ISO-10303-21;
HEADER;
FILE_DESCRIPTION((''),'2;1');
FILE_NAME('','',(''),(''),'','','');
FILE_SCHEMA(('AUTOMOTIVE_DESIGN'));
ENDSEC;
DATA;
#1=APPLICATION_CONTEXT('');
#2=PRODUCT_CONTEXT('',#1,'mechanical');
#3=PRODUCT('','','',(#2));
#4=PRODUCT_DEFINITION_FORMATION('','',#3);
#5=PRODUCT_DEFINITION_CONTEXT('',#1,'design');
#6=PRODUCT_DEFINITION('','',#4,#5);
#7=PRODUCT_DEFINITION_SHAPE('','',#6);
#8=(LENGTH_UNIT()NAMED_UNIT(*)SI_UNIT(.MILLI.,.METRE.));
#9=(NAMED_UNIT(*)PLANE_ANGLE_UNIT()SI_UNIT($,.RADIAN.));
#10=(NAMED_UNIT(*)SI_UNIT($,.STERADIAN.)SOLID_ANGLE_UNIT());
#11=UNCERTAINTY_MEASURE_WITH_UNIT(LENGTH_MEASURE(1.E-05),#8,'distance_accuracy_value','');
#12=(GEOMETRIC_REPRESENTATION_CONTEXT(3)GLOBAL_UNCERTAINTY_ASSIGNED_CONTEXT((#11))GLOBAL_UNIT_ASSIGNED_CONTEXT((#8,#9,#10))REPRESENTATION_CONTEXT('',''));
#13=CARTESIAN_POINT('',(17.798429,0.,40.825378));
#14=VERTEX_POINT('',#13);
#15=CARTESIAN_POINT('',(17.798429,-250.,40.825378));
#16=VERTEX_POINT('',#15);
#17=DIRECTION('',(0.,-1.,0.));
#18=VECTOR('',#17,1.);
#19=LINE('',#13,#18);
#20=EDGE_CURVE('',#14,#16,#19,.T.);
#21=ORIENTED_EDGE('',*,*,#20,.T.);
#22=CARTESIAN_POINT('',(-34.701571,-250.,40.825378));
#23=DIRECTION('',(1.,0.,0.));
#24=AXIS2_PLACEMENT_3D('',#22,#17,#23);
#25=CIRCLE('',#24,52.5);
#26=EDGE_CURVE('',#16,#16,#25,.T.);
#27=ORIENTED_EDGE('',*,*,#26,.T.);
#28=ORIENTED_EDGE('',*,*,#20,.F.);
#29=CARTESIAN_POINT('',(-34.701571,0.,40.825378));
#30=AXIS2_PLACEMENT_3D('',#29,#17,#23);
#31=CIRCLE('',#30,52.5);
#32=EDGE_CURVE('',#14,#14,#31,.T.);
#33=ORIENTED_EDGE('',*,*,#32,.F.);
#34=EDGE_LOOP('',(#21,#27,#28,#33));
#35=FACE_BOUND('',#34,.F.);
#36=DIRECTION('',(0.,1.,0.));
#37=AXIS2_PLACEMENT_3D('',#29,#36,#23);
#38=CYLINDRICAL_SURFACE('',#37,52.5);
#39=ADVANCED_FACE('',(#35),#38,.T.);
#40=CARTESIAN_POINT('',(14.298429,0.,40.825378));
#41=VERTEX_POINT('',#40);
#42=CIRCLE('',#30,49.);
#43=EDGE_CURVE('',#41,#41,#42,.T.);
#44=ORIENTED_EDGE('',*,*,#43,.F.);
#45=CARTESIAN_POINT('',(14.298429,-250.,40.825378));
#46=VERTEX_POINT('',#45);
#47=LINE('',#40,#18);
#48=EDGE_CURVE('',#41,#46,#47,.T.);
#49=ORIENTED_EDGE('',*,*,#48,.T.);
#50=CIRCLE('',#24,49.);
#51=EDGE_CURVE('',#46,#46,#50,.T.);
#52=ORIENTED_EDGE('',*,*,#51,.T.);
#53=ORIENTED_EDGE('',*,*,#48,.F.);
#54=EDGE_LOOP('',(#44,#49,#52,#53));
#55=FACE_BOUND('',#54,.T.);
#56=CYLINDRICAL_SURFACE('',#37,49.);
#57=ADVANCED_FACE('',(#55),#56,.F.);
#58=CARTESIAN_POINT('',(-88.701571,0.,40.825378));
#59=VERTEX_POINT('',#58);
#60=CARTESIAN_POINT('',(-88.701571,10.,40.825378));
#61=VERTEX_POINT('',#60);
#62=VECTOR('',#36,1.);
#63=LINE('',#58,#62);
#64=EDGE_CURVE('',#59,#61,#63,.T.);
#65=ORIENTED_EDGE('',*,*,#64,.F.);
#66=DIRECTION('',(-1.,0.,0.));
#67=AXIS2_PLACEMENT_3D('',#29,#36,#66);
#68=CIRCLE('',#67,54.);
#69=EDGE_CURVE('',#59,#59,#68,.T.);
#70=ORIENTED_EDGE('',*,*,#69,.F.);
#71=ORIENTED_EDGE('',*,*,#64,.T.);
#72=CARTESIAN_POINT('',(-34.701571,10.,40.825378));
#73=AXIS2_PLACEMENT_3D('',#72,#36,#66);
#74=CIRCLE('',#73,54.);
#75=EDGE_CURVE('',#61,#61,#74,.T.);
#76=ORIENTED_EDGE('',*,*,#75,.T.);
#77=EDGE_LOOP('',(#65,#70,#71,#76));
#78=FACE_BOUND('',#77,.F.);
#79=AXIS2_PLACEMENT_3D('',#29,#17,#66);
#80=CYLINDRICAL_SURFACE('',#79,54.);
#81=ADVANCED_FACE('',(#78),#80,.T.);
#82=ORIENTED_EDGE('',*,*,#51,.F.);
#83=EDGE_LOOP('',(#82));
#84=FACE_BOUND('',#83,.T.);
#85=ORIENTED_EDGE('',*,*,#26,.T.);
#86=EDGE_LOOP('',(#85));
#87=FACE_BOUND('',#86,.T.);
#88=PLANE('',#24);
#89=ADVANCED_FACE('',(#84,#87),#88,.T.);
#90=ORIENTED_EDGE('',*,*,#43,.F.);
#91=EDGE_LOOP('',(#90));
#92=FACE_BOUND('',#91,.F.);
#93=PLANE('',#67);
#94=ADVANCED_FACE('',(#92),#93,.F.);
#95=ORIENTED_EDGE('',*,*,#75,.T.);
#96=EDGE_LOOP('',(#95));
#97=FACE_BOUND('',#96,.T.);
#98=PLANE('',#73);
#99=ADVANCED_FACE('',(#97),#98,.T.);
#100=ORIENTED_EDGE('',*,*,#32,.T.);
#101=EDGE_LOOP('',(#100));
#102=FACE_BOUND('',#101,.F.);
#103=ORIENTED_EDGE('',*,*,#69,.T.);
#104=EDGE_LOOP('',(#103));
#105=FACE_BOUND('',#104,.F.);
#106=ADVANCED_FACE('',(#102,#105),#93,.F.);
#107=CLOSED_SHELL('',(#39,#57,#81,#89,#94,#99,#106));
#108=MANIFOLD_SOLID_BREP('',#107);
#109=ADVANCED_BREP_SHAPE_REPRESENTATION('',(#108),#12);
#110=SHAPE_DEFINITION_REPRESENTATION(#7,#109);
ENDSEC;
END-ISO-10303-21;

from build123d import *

# Parameters (mm, degrees)
F0_R     = 52.5
F0_R_2   = 49
F1_DEPTH = 250
F2_R     = 54
F3_DEPTH = 10


with BuildPart() as f1:
    # F0 (on Front) → F1 (new body)
    with BuildSketch(Plane.XZ):
        with Locations((-34.701571, 40.825378)):
            Circle(F0_R)
        with Locations((-34.701571, 40.825378)):
            Circle(F0_R_2, mode=Mode.SUBTRACT)
    extrude(amount=F1_DEPTH)

    # F2 (on face) → F3 (join)
    with BuildSketch(Plane(origin=(0, 0, 0), x_dir=(-1, 0, 0), z_dir=(0, 1, 0))):
        with Locations((34.701571, 40.825378)):
            Circle(F2_R)
    extrude(amount=F3_DEPTH)


solid = f1.part
